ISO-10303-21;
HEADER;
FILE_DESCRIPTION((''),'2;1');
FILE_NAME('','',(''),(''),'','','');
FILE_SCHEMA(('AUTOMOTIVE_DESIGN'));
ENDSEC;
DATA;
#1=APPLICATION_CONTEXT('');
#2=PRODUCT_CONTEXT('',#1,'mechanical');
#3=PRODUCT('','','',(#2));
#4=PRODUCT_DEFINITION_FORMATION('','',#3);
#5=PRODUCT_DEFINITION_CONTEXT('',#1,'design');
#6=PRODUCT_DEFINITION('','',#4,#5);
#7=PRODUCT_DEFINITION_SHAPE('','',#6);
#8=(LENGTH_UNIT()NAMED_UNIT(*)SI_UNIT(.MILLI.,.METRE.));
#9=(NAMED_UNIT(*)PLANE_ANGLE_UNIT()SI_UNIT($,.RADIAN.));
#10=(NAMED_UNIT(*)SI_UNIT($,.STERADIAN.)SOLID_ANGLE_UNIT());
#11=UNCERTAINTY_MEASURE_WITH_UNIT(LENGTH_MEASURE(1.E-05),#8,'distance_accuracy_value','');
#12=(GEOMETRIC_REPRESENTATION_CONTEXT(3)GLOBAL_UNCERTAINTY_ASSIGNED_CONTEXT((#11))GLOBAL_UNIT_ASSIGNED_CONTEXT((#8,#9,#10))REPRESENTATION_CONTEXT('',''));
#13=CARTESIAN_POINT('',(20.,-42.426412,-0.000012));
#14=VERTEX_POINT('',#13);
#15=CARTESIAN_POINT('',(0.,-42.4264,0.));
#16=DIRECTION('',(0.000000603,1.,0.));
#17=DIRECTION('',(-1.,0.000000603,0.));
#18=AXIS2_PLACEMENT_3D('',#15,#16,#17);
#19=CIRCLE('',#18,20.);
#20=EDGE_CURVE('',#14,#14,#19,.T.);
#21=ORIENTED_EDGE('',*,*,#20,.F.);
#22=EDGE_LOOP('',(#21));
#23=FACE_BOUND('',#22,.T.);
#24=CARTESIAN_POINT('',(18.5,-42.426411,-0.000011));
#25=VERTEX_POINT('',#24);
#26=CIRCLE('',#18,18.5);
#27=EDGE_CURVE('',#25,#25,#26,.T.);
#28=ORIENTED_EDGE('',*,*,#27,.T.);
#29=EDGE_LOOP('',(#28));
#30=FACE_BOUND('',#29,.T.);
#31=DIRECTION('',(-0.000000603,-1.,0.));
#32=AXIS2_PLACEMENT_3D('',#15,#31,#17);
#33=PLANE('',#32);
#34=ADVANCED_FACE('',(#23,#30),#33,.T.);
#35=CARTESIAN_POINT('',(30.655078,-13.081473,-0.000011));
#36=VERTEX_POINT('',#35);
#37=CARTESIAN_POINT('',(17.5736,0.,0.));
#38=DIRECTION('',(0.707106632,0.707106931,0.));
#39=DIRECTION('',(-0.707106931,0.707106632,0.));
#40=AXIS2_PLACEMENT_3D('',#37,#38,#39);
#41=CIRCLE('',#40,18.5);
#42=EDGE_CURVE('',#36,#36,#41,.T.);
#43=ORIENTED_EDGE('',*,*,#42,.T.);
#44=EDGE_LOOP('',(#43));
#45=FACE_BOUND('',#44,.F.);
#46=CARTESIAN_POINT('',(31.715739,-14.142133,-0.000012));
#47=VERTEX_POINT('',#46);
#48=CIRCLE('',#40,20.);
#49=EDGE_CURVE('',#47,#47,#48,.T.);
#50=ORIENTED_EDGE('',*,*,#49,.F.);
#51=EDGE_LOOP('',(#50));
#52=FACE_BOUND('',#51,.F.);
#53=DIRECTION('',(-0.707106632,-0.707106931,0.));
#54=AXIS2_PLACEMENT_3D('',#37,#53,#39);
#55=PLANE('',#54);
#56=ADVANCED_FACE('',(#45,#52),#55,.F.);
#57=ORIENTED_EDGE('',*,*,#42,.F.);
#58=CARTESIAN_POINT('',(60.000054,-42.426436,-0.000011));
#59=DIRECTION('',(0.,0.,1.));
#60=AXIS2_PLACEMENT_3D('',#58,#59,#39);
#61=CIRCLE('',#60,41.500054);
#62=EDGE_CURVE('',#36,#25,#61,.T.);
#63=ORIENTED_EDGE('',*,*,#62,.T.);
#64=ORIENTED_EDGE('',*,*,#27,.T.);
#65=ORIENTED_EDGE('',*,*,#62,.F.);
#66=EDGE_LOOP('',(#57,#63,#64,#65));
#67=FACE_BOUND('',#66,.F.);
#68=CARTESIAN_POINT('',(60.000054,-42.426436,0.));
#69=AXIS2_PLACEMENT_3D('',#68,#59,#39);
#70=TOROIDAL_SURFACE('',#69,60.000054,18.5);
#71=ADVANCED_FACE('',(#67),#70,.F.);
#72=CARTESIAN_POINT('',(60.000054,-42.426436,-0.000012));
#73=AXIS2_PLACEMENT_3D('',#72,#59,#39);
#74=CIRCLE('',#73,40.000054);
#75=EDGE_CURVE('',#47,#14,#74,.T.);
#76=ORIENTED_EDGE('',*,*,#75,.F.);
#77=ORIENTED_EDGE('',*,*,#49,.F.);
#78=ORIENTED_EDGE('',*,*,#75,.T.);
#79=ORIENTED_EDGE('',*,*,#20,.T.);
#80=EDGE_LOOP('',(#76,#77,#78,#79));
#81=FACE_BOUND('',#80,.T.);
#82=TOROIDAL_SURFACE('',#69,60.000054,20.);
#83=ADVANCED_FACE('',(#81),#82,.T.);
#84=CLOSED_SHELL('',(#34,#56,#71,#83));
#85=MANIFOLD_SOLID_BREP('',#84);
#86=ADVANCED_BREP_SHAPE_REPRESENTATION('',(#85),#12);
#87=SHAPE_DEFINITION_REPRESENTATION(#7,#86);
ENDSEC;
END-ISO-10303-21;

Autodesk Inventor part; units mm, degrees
ref_plane "YZ Plane" through (0, 0, 0) normal (1, 0, 0) x (0, 1, 0)
ref_plane "XZ Plane" through (0, 0, 0) normal (0, 1, 0) x (-1, 0, 0)
sketch "Szkic6" plane through (0, 0, 0) normal (0, 0, 1) x (1, 0, 0)
  line L0 (-29.6067, 0) -> (35.2678, 0) construction
  line L1 (0, 42.3419) -> (0, -58.3726) construction
  arc A0 (17.5736, 0) -> (0, -42.4264) centre (60, -42.4264) ccw
  line L2 (0, -42.4264) -> (60, -42.4264) construction
  line L3 (60, -42.4264) -> (13.6611, 3.9125) construction
  line L4 (17.5736, 0) -> (17.5736, 0)
  line L5 (0, -42.4264) -> (0, -42.4264)
  point P0 (0, 0)
  dimension "d24" = 60
  dimension "d31" = 45
  dimension "d36" = 0
  dimension "d37" = 0
ref_plane "Płaszczyzna konstrukcyjna2" through (0, -42.4264, 0) normal (0, -1, 0) x (1, 0, 0)
sketch "Szkic8" plane through (0, -42.4264, 0) normal (0, -1, 0) x (1, 0, 0)
  circle A0 centre (0, 0) radius 20
  circle A1 centre (0, 0) radius 18.5
  dimension "d32" = 40
  dimension "d33" = 1.5
sweep "Przeciągnięcie2" add profiles "Szkic8" path "Szkic6"
equation "\"d32\" = OD"
equation "\"d33\" = THK"
equation "\"d24\" = R"
equation "\"d31\" = KAT"
equation "\"SzerokośćGięciaPodcięcia\" = Grubość"
equation "\"RozmiarPodcięciaNarożnika\" = 4 * Grubość"
equation "\"PromieńPrzejścia\" = PromieńGięcia"
equation "\"Rozmiar_promienia_Jacobiego\" = PromieńGięcia"
equation "\"Wielk_odstępu\" = Grubość"
equation "\"d2\" = PromieńGięcia"
equation "\"d23\" = PromieńGięcia"
equation "\"R\" = 60"
equation "\"OD\" = 40"
equation "\"THK\" = 1.5"
equation "\"KAT\" = 45deg"
equation "\"PROSTKA\" = 0"
equation "\"Grubość\" = 1.5"
equation "\"PromieńGięcia\" = 3"
properties part number "Kolano 45° ø40x1,5 R60" material "304L"
